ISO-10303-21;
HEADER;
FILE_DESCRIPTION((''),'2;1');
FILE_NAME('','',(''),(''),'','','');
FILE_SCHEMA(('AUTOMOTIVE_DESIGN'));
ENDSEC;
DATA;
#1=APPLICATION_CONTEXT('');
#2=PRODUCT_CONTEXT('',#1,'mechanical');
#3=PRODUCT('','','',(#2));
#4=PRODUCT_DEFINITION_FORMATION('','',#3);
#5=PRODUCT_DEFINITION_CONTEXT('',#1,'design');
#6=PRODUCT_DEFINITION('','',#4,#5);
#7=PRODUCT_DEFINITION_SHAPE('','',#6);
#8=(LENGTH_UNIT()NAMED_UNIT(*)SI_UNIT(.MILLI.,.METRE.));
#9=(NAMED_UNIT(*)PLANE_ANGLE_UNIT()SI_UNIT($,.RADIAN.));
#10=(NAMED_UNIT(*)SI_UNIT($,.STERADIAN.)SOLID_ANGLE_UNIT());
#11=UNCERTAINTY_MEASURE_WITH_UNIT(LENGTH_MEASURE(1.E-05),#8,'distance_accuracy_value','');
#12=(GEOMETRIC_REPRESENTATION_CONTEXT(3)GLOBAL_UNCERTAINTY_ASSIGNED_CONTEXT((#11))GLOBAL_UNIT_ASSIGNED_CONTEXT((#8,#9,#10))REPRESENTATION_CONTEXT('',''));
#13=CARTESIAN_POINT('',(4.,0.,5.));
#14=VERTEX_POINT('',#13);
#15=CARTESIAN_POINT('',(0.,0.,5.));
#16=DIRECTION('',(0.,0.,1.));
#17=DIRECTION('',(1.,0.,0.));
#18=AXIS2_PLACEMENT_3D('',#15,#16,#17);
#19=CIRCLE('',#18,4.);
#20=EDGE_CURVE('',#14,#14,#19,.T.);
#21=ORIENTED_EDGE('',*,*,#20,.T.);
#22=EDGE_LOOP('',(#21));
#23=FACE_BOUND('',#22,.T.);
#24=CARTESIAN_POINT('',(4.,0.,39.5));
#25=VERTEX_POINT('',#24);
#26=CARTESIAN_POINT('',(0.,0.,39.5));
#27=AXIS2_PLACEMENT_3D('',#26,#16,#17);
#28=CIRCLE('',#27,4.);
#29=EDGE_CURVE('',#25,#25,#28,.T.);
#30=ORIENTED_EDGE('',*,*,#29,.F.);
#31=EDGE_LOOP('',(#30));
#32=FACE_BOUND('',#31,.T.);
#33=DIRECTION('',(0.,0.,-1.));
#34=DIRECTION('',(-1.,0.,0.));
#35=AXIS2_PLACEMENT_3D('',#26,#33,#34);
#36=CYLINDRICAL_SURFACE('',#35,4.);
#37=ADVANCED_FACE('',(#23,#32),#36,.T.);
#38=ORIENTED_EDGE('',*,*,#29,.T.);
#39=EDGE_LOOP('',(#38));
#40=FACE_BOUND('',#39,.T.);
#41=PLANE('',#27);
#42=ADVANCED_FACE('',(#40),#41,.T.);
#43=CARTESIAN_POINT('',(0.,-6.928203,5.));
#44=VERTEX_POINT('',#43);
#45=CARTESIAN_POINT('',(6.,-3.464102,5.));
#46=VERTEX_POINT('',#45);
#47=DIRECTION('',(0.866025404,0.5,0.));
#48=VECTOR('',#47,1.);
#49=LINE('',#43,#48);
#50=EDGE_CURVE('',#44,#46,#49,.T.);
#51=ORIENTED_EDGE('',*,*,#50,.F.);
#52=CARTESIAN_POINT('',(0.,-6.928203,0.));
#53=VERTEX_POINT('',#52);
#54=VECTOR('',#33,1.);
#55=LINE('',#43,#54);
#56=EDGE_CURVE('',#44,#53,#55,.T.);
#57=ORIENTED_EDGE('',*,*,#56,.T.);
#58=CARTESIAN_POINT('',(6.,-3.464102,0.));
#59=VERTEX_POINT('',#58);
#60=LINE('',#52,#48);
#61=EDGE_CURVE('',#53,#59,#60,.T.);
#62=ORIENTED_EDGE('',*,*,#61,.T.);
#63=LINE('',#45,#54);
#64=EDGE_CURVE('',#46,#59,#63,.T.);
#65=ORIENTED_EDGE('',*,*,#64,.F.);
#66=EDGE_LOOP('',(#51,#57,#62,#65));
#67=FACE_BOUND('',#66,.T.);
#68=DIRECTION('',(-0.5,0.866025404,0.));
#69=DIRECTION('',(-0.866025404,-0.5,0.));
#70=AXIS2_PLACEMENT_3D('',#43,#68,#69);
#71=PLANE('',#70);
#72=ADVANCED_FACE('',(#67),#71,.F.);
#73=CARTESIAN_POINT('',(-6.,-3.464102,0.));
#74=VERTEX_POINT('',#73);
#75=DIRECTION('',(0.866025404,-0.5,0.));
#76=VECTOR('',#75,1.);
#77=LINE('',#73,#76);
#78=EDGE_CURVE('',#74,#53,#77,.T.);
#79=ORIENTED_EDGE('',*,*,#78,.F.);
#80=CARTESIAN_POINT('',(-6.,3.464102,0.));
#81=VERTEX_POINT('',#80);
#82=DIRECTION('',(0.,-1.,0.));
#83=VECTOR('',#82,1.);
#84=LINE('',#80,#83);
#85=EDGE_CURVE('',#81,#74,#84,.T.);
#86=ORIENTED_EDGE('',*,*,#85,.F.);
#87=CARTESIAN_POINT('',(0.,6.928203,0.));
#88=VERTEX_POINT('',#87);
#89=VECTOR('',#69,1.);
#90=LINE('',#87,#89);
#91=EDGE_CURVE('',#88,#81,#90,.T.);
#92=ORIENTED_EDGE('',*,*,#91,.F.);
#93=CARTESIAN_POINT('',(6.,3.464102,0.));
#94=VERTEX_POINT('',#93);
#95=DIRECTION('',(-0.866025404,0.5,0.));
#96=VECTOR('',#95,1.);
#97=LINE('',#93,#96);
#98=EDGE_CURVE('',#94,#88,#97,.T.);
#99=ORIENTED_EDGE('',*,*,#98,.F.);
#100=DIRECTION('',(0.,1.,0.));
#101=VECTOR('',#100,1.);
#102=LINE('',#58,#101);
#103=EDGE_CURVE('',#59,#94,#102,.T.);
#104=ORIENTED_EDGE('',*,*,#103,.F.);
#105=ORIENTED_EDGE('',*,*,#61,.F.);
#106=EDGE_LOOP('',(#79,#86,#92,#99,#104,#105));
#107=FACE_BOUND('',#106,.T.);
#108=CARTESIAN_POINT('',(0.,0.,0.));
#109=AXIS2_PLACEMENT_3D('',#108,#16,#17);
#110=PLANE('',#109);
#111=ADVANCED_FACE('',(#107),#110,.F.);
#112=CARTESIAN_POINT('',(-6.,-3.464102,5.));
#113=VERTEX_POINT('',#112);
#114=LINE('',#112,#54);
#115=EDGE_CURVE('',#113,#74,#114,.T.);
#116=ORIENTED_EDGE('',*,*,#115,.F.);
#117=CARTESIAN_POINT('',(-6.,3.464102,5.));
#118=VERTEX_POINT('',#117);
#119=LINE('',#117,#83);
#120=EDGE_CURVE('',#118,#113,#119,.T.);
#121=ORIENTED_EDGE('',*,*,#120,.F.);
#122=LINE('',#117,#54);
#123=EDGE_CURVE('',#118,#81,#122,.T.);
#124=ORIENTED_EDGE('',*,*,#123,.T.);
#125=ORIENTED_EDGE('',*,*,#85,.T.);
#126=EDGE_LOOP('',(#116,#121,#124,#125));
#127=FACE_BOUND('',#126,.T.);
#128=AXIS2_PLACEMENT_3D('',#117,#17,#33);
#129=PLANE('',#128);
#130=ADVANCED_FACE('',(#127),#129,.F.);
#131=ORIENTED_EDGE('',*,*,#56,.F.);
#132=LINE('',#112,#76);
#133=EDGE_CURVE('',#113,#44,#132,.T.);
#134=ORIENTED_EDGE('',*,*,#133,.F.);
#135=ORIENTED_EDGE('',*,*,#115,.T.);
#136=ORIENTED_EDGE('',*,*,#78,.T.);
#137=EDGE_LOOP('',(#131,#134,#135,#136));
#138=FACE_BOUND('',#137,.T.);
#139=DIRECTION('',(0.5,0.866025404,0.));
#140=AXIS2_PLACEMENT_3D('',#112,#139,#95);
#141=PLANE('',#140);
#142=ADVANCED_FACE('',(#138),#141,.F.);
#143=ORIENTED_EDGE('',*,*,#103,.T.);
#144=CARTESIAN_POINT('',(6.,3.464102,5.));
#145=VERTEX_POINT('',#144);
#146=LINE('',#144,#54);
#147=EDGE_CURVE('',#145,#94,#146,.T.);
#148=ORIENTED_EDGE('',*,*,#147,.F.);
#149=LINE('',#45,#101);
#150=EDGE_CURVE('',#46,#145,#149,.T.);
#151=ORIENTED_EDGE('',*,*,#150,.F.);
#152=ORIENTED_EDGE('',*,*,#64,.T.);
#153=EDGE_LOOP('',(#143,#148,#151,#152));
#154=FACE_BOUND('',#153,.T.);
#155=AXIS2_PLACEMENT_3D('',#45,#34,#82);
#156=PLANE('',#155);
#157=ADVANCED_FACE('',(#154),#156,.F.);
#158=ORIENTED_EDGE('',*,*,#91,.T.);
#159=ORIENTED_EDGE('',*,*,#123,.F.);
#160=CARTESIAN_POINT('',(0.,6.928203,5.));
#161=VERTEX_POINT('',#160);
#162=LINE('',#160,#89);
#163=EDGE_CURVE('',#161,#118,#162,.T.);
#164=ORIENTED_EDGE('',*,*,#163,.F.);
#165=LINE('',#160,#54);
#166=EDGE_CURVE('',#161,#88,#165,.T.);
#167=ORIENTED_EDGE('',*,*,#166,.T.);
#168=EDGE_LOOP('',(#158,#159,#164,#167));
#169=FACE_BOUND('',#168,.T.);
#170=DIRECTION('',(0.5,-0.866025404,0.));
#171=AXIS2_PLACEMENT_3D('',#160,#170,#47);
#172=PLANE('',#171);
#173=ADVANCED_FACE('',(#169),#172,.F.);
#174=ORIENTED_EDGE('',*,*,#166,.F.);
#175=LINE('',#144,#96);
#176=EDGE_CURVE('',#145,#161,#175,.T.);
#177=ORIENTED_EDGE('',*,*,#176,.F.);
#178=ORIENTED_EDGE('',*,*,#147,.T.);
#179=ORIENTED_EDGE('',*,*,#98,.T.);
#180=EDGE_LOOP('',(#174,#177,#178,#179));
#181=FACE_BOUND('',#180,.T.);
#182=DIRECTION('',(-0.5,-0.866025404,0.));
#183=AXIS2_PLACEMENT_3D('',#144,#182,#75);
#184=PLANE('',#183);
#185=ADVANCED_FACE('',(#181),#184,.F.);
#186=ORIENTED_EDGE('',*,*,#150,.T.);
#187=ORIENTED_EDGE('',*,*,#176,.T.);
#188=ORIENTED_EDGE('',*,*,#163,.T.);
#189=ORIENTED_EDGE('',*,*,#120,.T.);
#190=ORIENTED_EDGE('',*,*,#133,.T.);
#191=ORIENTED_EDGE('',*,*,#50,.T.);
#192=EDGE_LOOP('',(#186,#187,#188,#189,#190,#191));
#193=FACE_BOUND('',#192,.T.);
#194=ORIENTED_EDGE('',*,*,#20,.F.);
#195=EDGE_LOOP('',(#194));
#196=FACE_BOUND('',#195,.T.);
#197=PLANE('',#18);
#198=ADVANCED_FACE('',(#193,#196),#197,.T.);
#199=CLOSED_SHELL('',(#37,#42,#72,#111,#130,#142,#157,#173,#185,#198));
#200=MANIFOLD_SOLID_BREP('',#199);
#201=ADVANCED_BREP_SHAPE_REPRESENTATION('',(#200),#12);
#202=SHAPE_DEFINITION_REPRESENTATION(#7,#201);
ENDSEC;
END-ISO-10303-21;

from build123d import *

# Parameters (mm, degrees)
BOSS_EXTRUDE1_DEPTH = 5
SKETCH2_R           = 4
BOSS_EXTRUDE2_DEPTH = 34.5


with BuildPart() as part:
    # Sketch1 → Boss-Extrude1 (new body)
    with BuildSketch(Plane.XY):
        Polygon((0, 6.92820323), (-6, 3.464101615), (-6, -3.464101615), (0, -6.92820323), (6, -3.464101615), (6, 3.464101615), align=None)
    extrude(amount=BOSS_EXTRUDE1_DEPTH)

    # Sketch2 → Boss-Extrude2 (add)
    with BuildSketch(Plane.XY.offset(5)):
        Circle(SKETCH2_R)
    extrude(amount=BOSS_EXTRUDE2_DEPTH)


solid = part.part
